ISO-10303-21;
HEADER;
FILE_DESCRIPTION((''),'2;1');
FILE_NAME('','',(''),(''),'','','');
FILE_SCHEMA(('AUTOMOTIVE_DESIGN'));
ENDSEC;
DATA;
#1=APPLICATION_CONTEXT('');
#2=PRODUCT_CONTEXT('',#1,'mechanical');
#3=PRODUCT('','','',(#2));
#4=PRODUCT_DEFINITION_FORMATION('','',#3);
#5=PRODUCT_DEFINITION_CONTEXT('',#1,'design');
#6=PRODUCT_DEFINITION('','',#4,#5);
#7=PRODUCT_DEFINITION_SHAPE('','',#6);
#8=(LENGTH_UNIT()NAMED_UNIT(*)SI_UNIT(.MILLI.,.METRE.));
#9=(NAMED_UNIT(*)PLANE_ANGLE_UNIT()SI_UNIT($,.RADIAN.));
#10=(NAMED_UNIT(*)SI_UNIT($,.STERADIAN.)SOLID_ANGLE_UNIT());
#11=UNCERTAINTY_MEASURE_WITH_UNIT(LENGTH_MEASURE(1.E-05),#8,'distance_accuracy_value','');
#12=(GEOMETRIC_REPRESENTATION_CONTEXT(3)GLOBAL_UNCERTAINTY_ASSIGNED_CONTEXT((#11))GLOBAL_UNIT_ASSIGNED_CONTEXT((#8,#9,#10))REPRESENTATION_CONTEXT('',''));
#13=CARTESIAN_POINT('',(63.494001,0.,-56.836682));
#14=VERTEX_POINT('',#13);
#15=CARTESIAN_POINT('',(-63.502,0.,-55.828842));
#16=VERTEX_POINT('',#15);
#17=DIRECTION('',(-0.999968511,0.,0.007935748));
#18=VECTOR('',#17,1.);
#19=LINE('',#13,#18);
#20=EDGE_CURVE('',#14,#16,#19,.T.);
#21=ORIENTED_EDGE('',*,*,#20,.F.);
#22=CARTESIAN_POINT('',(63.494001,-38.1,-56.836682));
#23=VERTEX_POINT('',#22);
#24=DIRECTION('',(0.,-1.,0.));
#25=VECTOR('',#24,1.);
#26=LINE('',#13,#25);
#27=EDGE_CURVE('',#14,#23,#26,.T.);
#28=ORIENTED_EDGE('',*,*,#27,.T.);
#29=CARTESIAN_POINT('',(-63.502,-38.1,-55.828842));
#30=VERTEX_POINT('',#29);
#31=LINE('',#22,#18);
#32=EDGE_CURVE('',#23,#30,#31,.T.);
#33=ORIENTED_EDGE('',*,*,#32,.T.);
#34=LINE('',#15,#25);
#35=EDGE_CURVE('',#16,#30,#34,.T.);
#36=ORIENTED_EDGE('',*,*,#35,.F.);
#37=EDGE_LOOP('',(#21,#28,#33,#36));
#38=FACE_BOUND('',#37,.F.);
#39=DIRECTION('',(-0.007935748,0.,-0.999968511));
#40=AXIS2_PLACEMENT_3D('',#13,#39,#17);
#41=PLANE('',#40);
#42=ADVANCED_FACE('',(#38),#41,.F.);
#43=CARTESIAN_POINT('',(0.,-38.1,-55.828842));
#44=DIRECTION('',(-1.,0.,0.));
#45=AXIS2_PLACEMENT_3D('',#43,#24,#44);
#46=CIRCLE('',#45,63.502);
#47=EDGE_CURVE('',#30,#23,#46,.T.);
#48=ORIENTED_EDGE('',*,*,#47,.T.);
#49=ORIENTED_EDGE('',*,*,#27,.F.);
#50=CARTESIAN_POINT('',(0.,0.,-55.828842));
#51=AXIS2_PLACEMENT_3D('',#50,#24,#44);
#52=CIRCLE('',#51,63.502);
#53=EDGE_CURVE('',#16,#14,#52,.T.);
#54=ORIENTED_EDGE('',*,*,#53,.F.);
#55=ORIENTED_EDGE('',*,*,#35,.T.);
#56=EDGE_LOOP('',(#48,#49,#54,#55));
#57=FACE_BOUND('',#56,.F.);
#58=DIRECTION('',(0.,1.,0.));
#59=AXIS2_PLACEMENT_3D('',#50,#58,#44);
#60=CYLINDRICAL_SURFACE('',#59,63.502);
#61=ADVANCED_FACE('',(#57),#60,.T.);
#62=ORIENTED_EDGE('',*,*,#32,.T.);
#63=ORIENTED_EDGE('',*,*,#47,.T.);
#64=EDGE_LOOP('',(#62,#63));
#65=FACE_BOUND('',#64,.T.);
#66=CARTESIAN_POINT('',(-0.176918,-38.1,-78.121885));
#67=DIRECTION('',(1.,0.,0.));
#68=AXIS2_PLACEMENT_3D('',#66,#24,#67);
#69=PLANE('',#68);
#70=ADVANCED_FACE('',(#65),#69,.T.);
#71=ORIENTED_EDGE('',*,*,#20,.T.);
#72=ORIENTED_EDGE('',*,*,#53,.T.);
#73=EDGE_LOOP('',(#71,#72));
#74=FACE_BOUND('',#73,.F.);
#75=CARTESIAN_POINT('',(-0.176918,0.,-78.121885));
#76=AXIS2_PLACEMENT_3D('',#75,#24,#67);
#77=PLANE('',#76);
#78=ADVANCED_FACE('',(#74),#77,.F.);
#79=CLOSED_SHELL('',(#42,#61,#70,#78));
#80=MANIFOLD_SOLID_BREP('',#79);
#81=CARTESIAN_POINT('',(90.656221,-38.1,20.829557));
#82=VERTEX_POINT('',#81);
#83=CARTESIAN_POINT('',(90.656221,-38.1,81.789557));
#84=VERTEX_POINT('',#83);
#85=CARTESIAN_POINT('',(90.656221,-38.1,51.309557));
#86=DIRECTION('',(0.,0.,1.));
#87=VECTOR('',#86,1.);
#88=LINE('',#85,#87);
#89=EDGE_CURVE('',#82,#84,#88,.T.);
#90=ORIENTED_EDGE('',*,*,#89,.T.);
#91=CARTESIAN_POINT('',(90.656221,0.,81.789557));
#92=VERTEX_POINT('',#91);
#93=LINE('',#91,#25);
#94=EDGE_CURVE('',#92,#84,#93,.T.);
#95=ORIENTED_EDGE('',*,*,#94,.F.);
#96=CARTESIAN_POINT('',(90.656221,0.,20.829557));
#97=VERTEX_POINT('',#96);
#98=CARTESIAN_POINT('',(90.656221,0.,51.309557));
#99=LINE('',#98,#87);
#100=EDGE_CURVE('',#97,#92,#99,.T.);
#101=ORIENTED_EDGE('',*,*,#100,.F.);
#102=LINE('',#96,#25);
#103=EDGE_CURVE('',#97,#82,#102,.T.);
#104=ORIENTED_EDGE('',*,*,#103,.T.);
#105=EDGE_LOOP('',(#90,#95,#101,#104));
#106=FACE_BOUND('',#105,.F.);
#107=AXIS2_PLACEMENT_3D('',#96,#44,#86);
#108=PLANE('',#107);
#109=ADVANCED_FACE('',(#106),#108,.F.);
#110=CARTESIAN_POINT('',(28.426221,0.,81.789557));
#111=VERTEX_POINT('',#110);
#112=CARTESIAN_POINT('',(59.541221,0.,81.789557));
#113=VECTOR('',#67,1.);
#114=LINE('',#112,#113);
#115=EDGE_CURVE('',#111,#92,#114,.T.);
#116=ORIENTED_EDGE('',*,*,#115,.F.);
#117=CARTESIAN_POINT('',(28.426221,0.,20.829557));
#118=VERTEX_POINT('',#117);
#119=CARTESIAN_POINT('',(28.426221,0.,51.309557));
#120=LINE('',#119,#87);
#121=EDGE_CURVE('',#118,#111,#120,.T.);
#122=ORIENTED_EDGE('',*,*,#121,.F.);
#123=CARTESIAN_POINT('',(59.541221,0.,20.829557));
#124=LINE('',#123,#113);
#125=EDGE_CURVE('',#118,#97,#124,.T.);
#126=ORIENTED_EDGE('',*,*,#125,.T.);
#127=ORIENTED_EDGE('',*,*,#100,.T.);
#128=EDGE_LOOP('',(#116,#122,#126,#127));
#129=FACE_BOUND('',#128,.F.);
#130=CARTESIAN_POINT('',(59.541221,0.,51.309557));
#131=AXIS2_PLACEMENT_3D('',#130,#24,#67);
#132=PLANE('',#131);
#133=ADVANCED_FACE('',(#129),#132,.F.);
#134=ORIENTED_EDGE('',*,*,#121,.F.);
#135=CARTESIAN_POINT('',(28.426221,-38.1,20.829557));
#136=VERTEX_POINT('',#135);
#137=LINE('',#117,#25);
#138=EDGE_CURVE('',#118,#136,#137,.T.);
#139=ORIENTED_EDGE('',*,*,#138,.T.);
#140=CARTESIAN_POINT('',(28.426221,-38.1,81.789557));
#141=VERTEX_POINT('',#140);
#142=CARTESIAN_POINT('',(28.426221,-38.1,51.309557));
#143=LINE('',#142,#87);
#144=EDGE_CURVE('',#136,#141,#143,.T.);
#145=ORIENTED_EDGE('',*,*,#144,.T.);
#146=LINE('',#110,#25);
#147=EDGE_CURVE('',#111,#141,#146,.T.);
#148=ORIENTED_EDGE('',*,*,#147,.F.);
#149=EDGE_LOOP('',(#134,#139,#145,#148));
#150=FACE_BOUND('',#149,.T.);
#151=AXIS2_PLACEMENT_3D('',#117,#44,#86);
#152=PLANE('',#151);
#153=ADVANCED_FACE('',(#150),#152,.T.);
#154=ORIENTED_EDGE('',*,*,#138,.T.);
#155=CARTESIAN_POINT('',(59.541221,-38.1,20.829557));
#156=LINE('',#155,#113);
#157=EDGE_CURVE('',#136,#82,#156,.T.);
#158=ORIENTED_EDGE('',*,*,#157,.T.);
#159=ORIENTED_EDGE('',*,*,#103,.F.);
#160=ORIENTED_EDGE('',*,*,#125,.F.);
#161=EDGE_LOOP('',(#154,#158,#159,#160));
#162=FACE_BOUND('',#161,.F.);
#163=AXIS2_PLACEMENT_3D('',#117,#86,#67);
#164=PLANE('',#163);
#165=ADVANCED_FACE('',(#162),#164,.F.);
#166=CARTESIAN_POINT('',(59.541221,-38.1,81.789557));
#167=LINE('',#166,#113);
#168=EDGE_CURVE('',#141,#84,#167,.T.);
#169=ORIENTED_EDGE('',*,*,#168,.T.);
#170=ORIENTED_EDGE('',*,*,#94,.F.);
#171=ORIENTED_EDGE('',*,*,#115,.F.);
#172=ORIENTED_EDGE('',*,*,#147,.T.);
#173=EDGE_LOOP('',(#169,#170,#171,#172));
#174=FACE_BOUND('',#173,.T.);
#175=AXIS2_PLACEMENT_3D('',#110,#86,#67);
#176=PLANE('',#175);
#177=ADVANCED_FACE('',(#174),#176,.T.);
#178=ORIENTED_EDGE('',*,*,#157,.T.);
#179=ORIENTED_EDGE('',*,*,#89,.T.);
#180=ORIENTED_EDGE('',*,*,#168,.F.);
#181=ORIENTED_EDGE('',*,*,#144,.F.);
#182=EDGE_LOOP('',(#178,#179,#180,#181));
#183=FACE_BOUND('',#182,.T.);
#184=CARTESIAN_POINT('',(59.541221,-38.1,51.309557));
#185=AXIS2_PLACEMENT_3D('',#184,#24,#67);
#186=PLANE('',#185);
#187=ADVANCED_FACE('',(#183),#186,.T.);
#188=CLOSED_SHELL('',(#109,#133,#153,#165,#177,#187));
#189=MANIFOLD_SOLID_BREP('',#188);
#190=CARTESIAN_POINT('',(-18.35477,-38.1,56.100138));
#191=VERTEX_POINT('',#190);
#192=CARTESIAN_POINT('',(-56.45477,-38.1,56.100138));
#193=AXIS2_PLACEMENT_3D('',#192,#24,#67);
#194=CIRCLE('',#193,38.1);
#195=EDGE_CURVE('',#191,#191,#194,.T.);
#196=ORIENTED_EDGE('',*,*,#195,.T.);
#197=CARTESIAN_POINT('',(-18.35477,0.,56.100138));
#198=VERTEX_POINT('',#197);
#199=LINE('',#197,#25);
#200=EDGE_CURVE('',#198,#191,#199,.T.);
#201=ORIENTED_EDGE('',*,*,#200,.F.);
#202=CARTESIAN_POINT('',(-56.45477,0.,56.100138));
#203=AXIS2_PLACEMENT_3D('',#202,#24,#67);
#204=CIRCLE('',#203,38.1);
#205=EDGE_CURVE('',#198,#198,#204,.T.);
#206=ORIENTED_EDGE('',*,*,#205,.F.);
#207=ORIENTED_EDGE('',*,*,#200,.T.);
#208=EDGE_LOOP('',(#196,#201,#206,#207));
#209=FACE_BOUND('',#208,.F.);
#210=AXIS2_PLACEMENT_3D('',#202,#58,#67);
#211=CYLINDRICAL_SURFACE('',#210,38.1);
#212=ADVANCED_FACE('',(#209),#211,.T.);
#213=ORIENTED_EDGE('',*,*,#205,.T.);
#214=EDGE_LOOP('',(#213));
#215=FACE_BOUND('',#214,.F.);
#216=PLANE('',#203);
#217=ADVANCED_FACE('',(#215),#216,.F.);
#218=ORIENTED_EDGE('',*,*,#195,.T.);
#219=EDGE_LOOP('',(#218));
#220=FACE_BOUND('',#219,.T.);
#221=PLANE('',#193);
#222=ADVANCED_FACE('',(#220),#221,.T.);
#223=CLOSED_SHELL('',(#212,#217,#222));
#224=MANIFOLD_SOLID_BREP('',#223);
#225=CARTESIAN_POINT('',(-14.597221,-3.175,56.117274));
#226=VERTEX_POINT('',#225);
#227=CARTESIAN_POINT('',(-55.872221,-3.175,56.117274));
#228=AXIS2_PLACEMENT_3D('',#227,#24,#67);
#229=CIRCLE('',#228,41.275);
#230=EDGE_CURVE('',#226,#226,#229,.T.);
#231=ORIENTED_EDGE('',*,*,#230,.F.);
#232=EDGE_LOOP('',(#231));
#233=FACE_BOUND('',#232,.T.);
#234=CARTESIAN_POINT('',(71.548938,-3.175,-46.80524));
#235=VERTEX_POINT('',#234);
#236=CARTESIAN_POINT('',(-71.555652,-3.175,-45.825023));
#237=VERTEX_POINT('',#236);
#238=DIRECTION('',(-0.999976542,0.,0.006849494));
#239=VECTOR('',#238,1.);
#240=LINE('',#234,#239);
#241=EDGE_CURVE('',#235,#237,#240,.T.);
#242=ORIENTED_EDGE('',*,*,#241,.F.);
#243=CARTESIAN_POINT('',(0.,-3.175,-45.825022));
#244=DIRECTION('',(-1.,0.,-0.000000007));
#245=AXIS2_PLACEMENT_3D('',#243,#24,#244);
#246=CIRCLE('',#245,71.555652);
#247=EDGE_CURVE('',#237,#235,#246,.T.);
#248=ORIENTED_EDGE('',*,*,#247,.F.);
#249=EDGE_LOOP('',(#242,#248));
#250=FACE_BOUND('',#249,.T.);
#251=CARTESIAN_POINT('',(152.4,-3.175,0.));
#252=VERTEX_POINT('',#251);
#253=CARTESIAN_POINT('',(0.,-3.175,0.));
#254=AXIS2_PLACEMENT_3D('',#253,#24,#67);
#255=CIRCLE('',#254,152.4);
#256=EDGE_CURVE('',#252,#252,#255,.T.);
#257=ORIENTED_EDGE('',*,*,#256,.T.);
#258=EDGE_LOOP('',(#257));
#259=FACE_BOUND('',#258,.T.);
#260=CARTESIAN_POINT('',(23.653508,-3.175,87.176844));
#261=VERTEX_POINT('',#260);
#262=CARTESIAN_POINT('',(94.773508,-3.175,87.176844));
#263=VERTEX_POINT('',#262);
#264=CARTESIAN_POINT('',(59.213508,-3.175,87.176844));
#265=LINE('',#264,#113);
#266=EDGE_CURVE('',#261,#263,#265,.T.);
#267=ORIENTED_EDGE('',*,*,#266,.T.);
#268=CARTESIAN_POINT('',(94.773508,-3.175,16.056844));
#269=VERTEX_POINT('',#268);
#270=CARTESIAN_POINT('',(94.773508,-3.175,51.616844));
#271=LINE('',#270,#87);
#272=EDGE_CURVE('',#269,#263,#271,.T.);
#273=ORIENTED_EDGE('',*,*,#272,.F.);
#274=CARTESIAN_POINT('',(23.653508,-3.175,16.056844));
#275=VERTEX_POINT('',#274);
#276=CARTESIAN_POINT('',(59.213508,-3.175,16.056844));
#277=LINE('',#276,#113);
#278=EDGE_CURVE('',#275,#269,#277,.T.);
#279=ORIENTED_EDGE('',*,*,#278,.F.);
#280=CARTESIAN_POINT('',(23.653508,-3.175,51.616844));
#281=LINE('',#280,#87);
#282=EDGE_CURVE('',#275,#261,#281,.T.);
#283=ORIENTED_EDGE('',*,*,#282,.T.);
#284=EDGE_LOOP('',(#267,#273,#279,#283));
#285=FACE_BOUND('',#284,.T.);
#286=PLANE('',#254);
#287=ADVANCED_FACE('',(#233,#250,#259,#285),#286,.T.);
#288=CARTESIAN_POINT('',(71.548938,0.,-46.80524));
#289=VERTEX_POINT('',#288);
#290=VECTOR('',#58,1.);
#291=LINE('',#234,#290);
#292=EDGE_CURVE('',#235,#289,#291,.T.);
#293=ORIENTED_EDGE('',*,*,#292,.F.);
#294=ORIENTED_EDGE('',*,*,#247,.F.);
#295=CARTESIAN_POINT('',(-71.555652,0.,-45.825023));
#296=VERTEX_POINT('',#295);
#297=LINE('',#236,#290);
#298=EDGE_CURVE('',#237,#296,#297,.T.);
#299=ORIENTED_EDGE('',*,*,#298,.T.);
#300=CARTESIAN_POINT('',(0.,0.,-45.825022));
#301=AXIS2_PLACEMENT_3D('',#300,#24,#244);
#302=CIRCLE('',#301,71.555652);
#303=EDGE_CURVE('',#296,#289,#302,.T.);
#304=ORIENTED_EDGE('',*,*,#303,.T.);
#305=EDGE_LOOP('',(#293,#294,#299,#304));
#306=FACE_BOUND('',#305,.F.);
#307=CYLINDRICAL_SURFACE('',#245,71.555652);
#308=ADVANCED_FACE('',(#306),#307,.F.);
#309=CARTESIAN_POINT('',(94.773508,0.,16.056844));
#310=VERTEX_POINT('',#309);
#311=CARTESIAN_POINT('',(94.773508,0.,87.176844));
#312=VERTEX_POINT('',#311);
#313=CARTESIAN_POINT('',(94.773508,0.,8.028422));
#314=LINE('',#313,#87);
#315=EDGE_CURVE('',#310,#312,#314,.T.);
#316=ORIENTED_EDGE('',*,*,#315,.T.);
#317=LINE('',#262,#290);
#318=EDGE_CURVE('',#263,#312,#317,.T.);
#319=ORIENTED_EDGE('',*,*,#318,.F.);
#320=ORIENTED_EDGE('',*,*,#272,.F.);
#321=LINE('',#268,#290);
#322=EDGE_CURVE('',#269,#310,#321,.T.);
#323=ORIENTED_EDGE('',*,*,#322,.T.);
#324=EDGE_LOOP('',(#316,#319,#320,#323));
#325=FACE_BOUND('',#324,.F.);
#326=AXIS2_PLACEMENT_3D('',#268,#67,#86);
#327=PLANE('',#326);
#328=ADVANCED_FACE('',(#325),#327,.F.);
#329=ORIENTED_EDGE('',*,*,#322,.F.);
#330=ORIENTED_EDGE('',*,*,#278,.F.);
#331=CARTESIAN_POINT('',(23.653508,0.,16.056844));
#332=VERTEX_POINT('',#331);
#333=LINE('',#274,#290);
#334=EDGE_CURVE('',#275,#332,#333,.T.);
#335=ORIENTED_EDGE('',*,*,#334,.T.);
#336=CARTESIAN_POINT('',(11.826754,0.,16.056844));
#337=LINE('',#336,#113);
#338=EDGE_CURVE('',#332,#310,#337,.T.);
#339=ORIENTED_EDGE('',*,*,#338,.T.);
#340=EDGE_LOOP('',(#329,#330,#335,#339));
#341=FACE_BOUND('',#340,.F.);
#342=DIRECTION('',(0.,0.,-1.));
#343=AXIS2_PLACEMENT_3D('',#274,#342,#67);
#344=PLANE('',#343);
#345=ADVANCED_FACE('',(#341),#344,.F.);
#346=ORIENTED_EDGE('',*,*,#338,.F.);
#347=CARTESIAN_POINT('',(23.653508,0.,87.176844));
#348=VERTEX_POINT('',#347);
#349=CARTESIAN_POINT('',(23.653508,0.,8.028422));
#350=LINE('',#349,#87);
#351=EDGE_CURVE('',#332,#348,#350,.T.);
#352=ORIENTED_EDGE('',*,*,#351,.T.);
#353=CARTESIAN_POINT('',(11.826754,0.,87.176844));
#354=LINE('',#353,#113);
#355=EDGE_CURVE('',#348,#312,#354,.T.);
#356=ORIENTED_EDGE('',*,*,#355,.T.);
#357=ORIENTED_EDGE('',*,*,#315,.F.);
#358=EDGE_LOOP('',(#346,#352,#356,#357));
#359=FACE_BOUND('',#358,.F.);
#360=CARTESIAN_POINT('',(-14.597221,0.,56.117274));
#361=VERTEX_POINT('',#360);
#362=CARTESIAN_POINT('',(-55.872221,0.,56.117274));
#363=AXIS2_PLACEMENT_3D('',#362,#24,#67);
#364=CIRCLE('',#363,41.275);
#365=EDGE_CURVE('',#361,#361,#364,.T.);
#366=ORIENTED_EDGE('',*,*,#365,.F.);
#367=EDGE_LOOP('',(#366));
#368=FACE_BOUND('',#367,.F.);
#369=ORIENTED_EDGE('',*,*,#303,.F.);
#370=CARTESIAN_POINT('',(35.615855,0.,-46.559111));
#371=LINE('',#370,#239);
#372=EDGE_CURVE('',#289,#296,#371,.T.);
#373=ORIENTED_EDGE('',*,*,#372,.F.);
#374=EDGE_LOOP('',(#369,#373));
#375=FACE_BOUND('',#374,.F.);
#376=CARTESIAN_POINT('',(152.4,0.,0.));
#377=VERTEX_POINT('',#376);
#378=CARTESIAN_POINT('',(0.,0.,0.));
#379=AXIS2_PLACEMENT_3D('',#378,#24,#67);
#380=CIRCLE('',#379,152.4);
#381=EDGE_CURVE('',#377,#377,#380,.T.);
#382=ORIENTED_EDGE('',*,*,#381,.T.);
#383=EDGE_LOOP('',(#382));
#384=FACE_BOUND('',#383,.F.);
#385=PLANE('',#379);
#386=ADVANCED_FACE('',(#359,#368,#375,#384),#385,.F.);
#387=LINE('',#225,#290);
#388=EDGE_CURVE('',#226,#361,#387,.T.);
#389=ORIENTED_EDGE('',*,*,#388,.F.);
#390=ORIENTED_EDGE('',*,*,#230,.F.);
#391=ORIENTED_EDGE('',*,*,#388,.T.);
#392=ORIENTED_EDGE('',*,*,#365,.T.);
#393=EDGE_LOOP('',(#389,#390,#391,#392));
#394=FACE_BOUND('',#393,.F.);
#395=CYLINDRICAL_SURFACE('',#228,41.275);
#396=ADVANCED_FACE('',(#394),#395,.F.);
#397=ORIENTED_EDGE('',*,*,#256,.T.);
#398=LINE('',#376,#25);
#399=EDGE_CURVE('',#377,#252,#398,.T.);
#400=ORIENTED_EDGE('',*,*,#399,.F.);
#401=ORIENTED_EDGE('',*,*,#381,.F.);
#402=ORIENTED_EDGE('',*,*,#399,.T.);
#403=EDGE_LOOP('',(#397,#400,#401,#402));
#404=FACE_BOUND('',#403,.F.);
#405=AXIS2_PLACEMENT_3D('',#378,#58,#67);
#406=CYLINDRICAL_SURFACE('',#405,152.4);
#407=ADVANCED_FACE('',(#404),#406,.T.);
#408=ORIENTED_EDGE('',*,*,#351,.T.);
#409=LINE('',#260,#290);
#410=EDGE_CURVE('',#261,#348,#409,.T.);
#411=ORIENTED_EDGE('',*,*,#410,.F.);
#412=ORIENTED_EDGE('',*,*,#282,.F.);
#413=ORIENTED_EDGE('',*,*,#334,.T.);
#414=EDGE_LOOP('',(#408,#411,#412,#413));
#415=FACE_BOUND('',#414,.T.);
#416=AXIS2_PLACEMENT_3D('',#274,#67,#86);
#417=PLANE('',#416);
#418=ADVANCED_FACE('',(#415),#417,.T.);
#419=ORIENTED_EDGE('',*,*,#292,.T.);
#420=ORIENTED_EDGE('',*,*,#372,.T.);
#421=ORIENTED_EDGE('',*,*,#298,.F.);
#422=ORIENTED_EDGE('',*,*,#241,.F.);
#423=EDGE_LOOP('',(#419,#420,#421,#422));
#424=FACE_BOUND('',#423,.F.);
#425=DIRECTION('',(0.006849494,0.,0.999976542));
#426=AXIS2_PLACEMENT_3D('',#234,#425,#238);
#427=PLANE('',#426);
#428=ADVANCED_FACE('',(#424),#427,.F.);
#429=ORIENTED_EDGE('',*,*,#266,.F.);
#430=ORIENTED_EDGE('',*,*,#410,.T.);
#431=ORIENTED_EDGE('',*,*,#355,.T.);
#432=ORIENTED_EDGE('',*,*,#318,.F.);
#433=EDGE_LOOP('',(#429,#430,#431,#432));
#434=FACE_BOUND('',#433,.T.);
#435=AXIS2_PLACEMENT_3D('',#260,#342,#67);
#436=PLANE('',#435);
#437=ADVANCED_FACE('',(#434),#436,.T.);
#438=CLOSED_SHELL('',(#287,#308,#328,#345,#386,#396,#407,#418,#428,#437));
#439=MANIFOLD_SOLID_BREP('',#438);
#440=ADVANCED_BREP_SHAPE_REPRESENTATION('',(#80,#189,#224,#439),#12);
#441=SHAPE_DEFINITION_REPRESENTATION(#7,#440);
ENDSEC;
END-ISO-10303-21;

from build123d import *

# Parameters (mm, degrees)
F0_R      = 152.4
F1_DEPTH  = 3.175
F3_W      = 71.12
F3_H      = 71.12
F4_DEPTH  = 25.4
F6_DEPTH  = 25.4
F2_R      = 41.275
F7_DEPTH  = 25.4
F8_R      = 38.1
F9_DEPTH  = 38.1
F10_W     = 62.23
F10_H     = 60.96
F11_DEPTH = 38.1
F13_DEPTH = 38.1


with BuildPart() as f1:
    # F0 (on Front) → F1 (new body)
    with BuildSketch(Plane.XZ):
        Circle(F0_R)
    extrude(amount=F1_DEPTH)

    # F3 (on face) → F4 (cut)
    with BuildSketch(Plane.XZ.offset(3.175)):
        with Locations((59.213508, 51.616844)):
            Rectangle(F3_W, F3_H)
    extrude(amount=-F4_DEPTH, mode=Mode.SUBTRACT)

    # F5 (on face) → F6 (cut)
    with BuildSketch(Plane.XZ.offset(3.175)):
        with BuildLine():
            Line((71.548938, -46.80524), (-71.555652, -45.825023))
            ThreePointArc((-71.555652, -45.825023), (-0.49012, -117.378996), (71.548938, -46.80524))
        make_face()
    extrude(amount=-F6_DEPTH, mode=Mode.SUBTRACT)

    # F2 (on face) → F7 (cut)
    with BuildSketch(Plane.XZ.offset(3.175)):
        with Locations((-55.872221, 56.117274)):
            Circle(F2_R)
    extrude(amount=-F7_DEPTH, mode=Mode.SUBTRACT)


with BuildPart() as f9:
    # F8 (on Front) → F9 (new body)
    with BuildSketch(Plane.XZ):
        with Locations((-56.45477, 56.100138)):
            Circle(F8_R)
    extrude(amount=F9_DEPTH)


with BuildPart() as f11:
    # F10 (on Front) → F11 (new body)
    with BuildSketch(Plane.XZ):
        with Locations((59.541221, 51.309557)):
            Rectangle(F10_W, F10_H)
    extrude(amount=F11_DEPTH)


with BuildPart() as f13:
    # F12 (on Front) → F13 (new body)
    with BuildSketch(Plane.XZ):
        with BuildLine():
            Line((63.494001, -56.836682), (-63.502, -55.828842))
            ThreePointArc((-63.502, -55.828842), (-0.503936, -119.328842), (63.494001, -56.836682))
        make_face()
    extrude(amount=F13_DEPTH)


solid = Compound([f1.part, f9.part, f11.part, f13.part])
